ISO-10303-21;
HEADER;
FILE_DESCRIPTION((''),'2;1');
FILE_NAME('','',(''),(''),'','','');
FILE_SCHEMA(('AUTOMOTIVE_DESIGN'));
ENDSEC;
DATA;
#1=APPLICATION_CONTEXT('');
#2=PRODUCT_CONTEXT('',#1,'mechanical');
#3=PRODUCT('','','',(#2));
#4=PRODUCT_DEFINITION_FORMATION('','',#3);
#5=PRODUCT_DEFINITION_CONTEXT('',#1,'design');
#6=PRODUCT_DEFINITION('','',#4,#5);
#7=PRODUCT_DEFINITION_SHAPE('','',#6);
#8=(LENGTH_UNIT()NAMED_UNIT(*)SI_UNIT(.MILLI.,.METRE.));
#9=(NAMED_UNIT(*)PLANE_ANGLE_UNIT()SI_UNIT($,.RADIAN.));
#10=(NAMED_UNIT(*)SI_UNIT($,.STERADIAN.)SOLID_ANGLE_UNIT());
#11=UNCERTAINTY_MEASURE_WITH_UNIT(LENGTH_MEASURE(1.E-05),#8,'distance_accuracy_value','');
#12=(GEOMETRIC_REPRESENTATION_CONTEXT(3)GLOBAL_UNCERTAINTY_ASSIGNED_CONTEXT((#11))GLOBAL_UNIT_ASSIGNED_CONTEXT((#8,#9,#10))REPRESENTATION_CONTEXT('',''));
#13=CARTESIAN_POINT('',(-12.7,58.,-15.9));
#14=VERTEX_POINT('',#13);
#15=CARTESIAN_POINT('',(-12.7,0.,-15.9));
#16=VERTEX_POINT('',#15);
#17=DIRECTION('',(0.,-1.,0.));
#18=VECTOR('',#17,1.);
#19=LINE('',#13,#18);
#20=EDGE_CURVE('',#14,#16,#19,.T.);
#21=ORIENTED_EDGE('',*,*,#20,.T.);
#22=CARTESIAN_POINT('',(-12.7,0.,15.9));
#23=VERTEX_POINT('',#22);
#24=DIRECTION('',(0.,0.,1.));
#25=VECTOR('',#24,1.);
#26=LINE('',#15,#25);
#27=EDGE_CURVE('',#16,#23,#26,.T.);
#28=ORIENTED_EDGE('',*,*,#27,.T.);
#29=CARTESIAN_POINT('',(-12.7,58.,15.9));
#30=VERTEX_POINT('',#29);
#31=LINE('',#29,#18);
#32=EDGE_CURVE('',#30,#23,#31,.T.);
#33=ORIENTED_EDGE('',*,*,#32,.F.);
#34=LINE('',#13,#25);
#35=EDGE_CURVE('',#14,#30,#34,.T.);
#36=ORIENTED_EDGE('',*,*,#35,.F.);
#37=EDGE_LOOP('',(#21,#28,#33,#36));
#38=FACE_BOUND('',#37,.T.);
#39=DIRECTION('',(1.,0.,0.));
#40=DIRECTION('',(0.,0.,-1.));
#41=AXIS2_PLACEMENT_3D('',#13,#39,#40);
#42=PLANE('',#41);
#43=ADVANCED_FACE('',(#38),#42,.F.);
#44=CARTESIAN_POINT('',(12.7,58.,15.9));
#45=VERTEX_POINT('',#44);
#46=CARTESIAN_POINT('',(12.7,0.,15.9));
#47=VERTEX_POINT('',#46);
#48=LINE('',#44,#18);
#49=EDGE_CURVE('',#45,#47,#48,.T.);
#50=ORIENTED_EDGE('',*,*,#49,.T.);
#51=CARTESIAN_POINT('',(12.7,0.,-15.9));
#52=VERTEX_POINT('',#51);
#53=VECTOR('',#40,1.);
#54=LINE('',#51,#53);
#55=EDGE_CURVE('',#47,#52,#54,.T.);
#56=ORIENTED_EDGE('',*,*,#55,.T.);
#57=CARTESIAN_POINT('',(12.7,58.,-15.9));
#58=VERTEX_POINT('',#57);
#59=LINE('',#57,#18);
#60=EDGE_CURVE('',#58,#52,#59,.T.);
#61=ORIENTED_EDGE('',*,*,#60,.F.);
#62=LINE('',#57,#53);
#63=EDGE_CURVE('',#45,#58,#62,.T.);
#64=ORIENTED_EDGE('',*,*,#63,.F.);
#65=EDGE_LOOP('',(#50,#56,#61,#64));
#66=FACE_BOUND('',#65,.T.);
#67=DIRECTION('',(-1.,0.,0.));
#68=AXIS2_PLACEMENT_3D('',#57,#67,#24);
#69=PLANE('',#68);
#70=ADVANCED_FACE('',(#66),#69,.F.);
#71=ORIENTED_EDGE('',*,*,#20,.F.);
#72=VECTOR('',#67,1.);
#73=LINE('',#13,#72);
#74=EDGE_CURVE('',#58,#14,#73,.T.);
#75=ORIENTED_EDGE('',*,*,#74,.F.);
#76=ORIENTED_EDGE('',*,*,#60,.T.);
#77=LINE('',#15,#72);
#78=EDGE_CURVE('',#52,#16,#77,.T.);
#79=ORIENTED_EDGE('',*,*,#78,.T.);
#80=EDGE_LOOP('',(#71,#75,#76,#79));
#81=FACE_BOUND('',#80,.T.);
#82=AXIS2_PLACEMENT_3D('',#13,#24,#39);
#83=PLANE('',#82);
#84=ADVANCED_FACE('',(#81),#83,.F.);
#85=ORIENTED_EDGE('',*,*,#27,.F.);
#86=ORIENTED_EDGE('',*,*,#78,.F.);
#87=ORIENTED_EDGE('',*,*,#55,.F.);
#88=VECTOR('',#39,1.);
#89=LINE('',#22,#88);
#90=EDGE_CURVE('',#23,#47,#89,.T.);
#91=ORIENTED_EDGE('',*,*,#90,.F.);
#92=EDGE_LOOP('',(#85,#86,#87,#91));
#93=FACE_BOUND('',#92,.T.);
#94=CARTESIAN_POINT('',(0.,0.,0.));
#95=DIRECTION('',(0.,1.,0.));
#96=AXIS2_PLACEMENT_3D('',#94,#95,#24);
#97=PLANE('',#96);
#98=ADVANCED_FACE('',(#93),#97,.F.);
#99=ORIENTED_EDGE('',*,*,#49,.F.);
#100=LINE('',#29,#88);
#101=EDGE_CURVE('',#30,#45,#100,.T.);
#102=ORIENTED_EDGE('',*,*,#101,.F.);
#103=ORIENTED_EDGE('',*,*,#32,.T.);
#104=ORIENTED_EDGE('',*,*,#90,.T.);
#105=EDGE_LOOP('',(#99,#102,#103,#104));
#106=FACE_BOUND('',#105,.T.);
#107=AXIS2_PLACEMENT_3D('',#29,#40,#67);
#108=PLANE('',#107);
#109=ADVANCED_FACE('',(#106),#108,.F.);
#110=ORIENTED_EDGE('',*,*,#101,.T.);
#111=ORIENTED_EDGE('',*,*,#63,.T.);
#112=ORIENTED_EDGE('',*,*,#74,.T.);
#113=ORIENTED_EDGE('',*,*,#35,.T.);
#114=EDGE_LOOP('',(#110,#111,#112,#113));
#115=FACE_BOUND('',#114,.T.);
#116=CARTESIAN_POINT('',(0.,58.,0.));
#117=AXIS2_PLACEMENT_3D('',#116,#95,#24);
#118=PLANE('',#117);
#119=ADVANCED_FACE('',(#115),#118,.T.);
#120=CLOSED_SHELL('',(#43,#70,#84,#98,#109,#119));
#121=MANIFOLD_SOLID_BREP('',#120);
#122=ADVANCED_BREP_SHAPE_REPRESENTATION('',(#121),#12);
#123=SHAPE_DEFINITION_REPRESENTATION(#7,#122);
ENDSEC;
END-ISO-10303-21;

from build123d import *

# Parameters (mm, degrees)
SKETCH1_W           = 25.4
SKETCH1_H           = 31.8
BOSS_EXTRUDE1_DEPTH = 58


with BuildPart() as part:
    # Sketch1 → Boss-Extrude1 (new body)
    with BuildSketch(Plane(origin=(0, 0, 0), x_dir=(1, 0, 0), z_dir=(0, 1, 0))):
        Rectangle(SKETCH1_W, SKETCH1_H)
    extrude(amount=BOSS_EXTRUDE1_DEPTH)


solid = part.part
